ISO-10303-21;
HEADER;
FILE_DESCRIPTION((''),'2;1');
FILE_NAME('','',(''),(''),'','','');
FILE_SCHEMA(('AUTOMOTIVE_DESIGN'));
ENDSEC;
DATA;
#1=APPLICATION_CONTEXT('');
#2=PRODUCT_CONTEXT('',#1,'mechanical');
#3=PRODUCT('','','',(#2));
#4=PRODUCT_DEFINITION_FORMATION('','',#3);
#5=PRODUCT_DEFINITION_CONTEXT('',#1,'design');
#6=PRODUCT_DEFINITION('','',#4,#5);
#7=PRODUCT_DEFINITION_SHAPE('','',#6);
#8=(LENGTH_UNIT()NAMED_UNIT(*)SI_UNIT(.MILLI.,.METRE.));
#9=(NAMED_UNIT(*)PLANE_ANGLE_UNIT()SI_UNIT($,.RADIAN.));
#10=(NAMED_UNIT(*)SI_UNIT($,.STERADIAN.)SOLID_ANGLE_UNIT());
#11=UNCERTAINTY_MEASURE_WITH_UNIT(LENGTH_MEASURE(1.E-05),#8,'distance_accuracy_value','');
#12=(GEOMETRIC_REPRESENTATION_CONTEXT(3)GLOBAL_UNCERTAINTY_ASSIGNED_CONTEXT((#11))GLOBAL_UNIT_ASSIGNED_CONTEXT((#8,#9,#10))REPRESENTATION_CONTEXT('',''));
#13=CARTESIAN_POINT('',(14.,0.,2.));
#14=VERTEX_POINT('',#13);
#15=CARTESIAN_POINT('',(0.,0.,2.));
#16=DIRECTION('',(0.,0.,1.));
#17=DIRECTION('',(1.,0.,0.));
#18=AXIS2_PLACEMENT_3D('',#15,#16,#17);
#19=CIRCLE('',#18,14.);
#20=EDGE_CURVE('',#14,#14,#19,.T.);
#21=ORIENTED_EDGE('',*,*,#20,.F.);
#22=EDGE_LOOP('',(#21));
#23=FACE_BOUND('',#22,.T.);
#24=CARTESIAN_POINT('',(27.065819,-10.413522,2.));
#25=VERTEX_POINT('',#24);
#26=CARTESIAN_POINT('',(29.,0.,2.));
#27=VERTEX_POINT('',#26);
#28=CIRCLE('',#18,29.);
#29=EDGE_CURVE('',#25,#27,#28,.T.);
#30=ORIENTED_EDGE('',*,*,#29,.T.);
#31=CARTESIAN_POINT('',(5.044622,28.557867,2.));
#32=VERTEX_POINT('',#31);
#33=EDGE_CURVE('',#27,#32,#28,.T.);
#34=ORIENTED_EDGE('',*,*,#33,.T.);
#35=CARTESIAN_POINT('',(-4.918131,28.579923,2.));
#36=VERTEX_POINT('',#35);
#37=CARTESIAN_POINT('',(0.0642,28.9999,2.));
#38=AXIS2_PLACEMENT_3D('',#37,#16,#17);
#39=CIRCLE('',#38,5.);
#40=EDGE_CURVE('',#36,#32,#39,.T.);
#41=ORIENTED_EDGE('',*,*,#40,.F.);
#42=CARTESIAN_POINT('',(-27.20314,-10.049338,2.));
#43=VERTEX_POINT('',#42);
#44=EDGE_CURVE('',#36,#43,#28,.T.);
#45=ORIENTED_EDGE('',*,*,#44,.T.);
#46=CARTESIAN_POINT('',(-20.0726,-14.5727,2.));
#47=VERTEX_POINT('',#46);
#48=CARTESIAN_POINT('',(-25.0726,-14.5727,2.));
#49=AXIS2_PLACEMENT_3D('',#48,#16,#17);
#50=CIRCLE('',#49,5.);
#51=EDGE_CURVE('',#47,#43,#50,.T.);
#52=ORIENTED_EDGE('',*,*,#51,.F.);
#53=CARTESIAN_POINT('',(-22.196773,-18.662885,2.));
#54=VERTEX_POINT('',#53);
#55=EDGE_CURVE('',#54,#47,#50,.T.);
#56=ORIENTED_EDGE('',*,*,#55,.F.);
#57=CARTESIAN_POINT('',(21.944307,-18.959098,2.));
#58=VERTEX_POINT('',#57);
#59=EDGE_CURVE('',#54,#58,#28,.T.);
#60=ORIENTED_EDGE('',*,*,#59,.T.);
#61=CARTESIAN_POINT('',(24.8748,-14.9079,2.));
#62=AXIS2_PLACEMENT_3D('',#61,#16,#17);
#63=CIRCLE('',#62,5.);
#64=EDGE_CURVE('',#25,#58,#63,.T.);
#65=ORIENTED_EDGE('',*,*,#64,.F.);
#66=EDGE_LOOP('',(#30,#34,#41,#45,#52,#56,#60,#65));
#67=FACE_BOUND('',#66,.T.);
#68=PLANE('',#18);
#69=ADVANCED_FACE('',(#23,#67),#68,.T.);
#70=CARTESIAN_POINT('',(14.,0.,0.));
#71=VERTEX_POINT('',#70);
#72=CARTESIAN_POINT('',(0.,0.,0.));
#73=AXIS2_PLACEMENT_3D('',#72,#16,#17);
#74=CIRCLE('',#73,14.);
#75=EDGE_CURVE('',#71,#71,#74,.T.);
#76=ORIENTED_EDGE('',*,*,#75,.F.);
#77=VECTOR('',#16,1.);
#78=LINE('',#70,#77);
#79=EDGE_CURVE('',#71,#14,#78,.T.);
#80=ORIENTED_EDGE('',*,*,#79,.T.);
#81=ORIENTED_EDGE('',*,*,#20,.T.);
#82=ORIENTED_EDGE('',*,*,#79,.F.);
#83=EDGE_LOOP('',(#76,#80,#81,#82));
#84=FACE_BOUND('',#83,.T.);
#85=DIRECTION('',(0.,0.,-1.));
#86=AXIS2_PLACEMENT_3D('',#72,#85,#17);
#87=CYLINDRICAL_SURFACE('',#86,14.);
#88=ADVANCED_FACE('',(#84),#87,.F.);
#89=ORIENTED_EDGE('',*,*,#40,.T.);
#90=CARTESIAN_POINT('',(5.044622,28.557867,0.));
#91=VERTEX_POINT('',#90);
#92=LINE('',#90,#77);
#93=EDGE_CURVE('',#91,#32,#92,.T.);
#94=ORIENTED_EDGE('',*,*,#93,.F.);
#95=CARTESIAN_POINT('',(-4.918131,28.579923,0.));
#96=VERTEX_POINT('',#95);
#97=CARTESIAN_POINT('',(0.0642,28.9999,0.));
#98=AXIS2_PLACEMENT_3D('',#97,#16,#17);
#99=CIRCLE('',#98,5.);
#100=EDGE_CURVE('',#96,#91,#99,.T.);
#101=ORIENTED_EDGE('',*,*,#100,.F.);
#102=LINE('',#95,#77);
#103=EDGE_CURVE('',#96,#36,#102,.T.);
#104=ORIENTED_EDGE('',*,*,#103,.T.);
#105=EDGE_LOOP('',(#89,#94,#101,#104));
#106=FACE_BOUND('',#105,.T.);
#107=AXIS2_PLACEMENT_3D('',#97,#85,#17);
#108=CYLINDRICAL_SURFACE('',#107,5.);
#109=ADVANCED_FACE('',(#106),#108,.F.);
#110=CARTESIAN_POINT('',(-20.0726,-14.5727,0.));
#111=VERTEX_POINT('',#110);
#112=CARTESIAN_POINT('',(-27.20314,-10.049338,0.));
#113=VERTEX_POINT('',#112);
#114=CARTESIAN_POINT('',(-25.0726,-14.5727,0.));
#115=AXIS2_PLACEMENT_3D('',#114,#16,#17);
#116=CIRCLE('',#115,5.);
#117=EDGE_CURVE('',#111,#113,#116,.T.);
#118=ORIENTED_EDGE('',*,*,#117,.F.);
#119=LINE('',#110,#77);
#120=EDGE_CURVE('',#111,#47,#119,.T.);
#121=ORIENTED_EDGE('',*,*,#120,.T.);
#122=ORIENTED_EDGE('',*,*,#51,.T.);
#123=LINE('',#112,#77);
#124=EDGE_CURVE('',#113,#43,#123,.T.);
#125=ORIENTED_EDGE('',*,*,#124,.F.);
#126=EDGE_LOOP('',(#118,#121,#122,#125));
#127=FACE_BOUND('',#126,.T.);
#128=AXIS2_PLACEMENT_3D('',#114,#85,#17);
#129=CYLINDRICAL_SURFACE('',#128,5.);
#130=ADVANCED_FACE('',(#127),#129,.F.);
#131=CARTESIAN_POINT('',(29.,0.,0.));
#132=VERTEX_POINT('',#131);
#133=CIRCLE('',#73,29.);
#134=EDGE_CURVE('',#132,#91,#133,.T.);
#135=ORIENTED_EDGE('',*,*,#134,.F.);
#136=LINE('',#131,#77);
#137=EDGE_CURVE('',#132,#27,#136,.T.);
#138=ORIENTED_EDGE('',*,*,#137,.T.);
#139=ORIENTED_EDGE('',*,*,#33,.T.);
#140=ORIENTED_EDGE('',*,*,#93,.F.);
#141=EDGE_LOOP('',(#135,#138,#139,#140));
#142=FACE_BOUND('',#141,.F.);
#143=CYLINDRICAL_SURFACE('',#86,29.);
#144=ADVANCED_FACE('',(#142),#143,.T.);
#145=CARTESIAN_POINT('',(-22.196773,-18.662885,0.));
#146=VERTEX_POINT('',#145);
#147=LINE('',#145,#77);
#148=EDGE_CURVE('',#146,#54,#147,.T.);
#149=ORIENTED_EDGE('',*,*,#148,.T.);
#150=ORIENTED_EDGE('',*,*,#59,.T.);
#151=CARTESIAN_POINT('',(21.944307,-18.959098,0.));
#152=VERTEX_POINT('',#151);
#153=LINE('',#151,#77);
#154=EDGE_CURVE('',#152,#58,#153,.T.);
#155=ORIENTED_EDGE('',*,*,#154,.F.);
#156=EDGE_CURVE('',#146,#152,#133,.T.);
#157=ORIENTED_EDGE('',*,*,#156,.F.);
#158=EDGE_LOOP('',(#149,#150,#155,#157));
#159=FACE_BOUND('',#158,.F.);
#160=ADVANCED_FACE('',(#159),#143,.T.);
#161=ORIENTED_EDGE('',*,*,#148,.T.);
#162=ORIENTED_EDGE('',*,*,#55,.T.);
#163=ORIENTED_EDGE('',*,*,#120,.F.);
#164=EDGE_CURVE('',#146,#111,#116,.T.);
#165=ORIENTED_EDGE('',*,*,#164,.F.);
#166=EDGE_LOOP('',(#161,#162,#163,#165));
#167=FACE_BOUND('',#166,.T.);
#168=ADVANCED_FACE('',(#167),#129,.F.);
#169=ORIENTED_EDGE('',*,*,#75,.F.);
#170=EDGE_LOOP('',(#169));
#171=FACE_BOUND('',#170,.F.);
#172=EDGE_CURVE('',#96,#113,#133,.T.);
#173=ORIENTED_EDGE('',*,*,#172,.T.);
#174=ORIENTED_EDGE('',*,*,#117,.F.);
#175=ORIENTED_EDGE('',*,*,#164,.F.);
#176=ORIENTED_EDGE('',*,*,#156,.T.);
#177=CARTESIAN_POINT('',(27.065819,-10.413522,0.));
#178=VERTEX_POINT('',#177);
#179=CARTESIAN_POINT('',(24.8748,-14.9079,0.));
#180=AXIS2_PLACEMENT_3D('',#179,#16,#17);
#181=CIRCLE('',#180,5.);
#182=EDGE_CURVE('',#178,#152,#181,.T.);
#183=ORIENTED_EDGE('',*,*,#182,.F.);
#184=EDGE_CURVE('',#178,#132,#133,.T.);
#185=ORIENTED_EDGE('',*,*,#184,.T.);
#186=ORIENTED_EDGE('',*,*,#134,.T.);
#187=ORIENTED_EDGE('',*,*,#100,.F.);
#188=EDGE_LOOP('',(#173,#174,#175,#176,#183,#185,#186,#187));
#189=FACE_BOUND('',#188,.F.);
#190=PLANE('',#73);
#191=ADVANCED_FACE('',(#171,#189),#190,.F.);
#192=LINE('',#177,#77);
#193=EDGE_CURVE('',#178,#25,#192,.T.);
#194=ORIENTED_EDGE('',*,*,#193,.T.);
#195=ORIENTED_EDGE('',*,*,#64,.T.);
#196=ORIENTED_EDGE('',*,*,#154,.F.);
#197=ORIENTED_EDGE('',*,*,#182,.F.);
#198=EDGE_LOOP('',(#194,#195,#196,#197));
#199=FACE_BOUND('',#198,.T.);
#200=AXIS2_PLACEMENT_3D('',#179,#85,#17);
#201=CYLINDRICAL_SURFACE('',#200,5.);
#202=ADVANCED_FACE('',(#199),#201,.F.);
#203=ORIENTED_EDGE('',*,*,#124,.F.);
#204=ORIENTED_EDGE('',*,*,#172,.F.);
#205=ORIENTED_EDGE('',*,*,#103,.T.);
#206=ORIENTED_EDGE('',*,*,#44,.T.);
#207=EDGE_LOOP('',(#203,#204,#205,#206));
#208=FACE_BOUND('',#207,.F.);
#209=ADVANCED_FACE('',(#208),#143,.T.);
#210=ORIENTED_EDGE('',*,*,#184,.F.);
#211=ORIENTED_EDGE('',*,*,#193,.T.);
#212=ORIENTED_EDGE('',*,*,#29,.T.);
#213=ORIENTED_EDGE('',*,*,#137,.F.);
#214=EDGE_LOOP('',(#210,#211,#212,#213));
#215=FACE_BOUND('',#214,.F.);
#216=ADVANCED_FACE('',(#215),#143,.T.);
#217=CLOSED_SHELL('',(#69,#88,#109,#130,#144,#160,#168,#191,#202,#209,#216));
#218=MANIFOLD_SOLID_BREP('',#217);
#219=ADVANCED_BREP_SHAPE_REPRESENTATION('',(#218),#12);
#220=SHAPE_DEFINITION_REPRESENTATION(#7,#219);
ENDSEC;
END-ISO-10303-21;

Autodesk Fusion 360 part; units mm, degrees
sketch "Sketch1" plane through (0, 0, 0) normal (0, 0, 1) x (1, 0, 0)
  circle A0 centre (0, 0) radius 29
  circle A1 centre (0, 0) radius 14
  circle A2 centre (0.0642, 28.9999) radius 5
  circle A3 centre (24.8748, -14.9079) radius 5
  circle A4 centre (-25.0726, -14.5727) radius 5
  dimension "d1" = 58
  dimension "d2" = 28
  dimension "d3" = 10
  dimension "d4" = 10
  dimension "d5" = 10
extrude "Extrude1" add sketch "Sketch1" along normal blind 2 contours A0 A2 A3 A4
